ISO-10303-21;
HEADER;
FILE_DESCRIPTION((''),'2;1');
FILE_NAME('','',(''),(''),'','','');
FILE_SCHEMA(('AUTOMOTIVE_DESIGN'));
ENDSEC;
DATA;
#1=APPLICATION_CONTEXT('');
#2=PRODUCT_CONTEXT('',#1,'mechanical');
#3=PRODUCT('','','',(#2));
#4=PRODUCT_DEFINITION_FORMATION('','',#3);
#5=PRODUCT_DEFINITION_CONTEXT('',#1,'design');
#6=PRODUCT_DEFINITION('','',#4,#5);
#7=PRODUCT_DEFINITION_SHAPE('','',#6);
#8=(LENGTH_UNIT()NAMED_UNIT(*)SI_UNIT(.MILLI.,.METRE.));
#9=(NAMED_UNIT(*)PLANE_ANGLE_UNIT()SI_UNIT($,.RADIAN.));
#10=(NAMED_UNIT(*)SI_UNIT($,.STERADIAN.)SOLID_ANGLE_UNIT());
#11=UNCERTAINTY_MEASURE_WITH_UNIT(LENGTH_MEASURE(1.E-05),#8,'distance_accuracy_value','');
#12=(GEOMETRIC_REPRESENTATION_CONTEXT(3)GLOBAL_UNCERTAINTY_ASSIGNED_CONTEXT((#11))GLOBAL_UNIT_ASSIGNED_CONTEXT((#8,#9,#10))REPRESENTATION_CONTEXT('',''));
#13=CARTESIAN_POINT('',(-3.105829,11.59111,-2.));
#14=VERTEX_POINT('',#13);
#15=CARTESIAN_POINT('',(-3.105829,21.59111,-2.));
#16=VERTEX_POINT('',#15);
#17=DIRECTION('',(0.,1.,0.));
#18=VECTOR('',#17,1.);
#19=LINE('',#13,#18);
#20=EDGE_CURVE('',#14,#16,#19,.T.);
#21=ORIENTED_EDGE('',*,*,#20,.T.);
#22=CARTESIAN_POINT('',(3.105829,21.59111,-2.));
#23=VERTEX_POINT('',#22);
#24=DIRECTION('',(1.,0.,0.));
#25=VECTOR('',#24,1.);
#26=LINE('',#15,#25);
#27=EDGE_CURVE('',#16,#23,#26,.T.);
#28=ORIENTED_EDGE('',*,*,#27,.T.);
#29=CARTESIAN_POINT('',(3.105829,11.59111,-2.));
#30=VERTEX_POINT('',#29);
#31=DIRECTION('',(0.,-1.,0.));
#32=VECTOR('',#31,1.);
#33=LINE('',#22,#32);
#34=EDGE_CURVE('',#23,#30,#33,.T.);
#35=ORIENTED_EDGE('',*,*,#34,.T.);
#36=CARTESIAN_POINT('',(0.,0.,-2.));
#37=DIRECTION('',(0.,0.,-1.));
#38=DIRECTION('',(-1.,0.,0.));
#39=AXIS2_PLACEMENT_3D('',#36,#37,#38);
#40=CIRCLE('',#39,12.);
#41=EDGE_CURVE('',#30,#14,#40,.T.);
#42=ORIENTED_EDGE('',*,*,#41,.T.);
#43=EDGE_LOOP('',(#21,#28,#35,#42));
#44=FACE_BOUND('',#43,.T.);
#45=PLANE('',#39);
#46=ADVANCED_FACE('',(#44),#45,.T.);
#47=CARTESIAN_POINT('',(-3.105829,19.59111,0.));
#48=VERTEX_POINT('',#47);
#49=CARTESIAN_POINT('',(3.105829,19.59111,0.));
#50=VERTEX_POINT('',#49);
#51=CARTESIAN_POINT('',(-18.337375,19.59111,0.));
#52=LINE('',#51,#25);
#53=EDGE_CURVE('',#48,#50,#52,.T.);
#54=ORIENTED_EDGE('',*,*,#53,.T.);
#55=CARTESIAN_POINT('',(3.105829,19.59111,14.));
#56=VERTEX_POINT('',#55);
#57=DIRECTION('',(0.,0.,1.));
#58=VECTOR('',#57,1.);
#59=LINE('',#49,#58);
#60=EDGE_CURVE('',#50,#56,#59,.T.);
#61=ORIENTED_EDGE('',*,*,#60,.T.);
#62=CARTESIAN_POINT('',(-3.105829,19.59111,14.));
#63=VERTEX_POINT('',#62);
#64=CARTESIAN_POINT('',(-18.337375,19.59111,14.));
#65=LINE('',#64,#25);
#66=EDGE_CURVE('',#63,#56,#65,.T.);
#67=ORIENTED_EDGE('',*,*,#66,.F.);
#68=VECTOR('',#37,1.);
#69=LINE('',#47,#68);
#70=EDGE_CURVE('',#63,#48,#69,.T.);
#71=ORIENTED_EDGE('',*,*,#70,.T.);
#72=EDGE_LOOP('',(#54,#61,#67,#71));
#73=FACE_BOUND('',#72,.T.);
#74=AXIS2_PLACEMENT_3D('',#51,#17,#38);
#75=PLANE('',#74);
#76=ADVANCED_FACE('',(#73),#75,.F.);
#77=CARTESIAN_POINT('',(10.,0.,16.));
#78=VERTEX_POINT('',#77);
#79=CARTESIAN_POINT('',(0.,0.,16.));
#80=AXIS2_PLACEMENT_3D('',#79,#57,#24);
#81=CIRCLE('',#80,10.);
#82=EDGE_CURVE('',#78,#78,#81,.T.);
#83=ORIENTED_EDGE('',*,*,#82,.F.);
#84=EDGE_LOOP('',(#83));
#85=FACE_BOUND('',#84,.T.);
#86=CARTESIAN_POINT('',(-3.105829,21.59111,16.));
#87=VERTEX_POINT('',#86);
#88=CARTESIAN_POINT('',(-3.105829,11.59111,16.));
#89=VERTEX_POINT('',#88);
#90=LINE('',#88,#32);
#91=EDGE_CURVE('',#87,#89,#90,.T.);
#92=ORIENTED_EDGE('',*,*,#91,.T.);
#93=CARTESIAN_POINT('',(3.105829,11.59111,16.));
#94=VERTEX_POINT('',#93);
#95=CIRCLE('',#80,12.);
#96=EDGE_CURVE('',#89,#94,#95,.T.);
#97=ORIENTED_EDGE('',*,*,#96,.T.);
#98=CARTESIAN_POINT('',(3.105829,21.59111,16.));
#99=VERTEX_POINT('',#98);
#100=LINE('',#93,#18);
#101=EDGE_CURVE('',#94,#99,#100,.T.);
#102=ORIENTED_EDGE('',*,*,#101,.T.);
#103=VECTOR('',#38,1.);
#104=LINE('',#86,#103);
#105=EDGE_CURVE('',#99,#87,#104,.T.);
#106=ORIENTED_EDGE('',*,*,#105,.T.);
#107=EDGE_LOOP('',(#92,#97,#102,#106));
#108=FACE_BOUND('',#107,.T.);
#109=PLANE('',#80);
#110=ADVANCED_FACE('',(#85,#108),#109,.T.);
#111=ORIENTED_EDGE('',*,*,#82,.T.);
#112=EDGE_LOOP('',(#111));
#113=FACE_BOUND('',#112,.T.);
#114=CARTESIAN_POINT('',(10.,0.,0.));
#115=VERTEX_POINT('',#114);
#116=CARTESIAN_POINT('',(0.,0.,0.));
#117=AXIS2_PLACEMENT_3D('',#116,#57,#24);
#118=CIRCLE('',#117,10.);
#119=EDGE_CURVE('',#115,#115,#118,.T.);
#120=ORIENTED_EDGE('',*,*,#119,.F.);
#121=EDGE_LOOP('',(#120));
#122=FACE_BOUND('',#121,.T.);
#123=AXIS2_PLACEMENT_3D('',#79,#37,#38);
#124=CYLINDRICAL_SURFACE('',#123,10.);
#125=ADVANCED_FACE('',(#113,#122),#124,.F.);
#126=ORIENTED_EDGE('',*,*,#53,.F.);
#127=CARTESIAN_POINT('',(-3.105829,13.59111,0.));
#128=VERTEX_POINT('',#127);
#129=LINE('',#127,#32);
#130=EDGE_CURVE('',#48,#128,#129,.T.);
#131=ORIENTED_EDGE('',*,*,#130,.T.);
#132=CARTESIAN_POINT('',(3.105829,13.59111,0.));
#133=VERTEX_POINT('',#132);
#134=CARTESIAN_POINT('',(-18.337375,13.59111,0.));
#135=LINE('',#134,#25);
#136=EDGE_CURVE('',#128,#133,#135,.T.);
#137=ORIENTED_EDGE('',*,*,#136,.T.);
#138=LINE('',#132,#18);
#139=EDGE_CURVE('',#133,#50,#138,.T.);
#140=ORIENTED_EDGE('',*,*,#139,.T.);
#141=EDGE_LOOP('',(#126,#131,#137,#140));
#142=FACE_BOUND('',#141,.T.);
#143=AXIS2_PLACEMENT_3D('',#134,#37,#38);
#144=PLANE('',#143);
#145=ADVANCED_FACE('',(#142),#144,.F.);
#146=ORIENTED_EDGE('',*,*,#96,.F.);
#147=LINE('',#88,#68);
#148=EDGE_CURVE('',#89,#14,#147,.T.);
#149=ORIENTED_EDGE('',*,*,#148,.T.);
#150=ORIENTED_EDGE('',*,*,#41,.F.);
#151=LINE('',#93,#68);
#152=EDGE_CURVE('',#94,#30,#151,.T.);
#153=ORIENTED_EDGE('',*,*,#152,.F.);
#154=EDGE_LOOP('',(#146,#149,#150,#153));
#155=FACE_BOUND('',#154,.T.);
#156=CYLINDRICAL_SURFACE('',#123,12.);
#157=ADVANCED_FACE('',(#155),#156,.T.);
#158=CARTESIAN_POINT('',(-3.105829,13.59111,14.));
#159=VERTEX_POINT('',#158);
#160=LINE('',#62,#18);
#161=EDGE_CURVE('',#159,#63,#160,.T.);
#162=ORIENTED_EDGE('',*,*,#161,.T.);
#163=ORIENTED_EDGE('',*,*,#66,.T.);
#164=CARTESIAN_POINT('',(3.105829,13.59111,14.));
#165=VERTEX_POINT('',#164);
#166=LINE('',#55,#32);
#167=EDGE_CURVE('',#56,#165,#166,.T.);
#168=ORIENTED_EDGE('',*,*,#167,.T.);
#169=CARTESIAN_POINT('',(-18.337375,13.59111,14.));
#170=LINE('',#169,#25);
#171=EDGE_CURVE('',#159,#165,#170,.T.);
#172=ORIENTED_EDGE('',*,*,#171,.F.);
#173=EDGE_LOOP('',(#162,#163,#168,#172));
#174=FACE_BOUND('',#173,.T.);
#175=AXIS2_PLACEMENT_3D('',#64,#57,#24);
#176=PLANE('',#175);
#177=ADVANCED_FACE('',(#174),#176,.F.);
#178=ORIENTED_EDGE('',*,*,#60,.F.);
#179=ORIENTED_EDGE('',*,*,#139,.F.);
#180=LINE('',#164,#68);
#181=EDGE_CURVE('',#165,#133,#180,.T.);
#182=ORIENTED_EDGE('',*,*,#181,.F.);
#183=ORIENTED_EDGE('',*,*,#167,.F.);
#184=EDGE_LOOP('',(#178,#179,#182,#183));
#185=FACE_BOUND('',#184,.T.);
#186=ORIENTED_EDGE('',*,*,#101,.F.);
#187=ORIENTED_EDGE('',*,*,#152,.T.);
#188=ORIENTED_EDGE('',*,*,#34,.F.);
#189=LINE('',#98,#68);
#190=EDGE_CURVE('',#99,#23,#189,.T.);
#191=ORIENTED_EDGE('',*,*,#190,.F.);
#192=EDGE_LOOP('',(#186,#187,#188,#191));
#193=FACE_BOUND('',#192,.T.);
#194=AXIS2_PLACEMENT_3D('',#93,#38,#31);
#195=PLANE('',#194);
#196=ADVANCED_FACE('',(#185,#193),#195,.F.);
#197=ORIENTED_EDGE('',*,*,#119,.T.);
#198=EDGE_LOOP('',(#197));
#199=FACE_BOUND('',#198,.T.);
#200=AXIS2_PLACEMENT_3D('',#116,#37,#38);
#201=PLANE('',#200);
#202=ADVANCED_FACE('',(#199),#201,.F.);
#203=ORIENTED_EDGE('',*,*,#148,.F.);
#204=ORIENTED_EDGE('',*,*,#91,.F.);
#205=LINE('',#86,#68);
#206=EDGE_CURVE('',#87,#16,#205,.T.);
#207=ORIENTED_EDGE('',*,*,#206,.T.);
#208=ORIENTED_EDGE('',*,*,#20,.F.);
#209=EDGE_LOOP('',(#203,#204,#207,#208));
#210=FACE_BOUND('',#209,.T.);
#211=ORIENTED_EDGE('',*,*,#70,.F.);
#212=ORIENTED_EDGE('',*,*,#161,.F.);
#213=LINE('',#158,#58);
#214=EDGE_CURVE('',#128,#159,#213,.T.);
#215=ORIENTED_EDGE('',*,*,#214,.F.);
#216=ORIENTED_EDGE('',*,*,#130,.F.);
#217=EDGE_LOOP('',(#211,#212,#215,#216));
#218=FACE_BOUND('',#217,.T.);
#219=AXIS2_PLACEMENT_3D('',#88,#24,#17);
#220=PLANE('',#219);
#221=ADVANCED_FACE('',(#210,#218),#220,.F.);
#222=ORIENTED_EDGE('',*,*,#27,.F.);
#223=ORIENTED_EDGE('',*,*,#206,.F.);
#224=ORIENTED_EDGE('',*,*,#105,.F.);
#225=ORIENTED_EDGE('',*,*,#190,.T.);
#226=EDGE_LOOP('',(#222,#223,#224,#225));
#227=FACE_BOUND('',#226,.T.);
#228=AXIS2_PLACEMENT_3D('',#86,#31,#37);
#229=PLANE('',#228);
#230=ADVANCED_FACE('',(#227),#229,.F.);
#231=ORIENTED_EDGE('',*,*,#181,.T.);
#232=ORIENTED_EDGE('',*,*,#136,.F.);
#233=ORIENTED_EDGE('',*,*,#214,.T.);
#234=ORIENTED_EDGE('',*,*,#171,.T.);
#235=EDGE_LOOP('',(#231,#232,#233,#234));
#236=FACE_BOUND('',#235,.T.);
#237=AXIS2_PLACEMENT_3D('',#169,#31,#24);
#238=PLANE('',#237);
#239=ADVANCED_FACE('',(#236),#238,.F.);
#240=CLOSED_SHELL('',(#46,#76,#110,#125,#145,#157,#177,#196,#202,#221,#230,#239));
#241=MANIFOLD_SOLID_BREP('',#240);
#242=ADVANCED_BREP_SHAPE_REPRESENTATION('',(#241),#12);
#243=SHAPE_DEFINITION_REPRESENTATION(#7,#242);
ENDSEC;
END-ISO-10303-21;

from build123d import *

# Parameters (mm, degrees)
SKETCH1_R           = 10
BOSS_EXTRUDE1_DEPTH = 16
BOSS_EXTRUDE2_DEPTH = 2
SKETCH3_W           = 6
SKETCH3_H           = 14
CUT_EXTRUDE1_DEPTH  = 6.211657


with BuildPart() as part:
    # Sketch1 → Boss-Extrude1 (new body)
    with BuildSketch(Plane(origin=(0, 0, 0), x_dir=(0, 1, 0), z_dir=(0, 0, 1))):
        with BuildLine():
            Line((11.591109915, 3.105828541), (21.591109915, 3.105828541))
            Line((21.591109915, 3.105828541), (21.591109915, -3.105828541))
            Line((21.591109915, -3.105828541), (11.591109915, -3.105828541))
            ThreePointArc((11.591109915, -3.105828541), (-12, 0), (11.591109915, 3.105828541))
        make_face()
        Circle(SKETCH1_R, mode=Mode.SUBTRACT)
    extrude(amount=BOSS_EXTRUDE1_DEPTH)

    # Sketch2 → Boss-Extrude2 (add)
    with BuildSketch(Plane(origin=(0, 0, 0), x_dir=(1, 0, 0), z_dir=(0, 0, -1))):
        with BuildLine():
            Line((-3.105828541, -21.591109915), (3.105828541, -21.591109915))
            Line((3.105828541, -21.591109915), (3.105828541, -11.591109915))
            ThreePointArc((3.105828541, -11.591109915), (0, 12), (-3.105828541, -11.591109915))
            Line((-3.105828541, -11.591109915), (-3.105828541, -21.591109915))
        make_face()
    extrude(amount=BOSS_EXTRUDE2_DEPTH)

    # Sketch3 → Cut-Extrude1 (cut)
    with BuildSketch(Plane.YZ.offset(3.105828541)):
        with Locations((16.591109915, 7)):
            Rectangle(SKETCH3_W, SKETCH3_H)
    extrude(amount=-CUT_EXTRUDE1_DEPTH, mode=Mode.SUBTRACT)


solid = part.part
